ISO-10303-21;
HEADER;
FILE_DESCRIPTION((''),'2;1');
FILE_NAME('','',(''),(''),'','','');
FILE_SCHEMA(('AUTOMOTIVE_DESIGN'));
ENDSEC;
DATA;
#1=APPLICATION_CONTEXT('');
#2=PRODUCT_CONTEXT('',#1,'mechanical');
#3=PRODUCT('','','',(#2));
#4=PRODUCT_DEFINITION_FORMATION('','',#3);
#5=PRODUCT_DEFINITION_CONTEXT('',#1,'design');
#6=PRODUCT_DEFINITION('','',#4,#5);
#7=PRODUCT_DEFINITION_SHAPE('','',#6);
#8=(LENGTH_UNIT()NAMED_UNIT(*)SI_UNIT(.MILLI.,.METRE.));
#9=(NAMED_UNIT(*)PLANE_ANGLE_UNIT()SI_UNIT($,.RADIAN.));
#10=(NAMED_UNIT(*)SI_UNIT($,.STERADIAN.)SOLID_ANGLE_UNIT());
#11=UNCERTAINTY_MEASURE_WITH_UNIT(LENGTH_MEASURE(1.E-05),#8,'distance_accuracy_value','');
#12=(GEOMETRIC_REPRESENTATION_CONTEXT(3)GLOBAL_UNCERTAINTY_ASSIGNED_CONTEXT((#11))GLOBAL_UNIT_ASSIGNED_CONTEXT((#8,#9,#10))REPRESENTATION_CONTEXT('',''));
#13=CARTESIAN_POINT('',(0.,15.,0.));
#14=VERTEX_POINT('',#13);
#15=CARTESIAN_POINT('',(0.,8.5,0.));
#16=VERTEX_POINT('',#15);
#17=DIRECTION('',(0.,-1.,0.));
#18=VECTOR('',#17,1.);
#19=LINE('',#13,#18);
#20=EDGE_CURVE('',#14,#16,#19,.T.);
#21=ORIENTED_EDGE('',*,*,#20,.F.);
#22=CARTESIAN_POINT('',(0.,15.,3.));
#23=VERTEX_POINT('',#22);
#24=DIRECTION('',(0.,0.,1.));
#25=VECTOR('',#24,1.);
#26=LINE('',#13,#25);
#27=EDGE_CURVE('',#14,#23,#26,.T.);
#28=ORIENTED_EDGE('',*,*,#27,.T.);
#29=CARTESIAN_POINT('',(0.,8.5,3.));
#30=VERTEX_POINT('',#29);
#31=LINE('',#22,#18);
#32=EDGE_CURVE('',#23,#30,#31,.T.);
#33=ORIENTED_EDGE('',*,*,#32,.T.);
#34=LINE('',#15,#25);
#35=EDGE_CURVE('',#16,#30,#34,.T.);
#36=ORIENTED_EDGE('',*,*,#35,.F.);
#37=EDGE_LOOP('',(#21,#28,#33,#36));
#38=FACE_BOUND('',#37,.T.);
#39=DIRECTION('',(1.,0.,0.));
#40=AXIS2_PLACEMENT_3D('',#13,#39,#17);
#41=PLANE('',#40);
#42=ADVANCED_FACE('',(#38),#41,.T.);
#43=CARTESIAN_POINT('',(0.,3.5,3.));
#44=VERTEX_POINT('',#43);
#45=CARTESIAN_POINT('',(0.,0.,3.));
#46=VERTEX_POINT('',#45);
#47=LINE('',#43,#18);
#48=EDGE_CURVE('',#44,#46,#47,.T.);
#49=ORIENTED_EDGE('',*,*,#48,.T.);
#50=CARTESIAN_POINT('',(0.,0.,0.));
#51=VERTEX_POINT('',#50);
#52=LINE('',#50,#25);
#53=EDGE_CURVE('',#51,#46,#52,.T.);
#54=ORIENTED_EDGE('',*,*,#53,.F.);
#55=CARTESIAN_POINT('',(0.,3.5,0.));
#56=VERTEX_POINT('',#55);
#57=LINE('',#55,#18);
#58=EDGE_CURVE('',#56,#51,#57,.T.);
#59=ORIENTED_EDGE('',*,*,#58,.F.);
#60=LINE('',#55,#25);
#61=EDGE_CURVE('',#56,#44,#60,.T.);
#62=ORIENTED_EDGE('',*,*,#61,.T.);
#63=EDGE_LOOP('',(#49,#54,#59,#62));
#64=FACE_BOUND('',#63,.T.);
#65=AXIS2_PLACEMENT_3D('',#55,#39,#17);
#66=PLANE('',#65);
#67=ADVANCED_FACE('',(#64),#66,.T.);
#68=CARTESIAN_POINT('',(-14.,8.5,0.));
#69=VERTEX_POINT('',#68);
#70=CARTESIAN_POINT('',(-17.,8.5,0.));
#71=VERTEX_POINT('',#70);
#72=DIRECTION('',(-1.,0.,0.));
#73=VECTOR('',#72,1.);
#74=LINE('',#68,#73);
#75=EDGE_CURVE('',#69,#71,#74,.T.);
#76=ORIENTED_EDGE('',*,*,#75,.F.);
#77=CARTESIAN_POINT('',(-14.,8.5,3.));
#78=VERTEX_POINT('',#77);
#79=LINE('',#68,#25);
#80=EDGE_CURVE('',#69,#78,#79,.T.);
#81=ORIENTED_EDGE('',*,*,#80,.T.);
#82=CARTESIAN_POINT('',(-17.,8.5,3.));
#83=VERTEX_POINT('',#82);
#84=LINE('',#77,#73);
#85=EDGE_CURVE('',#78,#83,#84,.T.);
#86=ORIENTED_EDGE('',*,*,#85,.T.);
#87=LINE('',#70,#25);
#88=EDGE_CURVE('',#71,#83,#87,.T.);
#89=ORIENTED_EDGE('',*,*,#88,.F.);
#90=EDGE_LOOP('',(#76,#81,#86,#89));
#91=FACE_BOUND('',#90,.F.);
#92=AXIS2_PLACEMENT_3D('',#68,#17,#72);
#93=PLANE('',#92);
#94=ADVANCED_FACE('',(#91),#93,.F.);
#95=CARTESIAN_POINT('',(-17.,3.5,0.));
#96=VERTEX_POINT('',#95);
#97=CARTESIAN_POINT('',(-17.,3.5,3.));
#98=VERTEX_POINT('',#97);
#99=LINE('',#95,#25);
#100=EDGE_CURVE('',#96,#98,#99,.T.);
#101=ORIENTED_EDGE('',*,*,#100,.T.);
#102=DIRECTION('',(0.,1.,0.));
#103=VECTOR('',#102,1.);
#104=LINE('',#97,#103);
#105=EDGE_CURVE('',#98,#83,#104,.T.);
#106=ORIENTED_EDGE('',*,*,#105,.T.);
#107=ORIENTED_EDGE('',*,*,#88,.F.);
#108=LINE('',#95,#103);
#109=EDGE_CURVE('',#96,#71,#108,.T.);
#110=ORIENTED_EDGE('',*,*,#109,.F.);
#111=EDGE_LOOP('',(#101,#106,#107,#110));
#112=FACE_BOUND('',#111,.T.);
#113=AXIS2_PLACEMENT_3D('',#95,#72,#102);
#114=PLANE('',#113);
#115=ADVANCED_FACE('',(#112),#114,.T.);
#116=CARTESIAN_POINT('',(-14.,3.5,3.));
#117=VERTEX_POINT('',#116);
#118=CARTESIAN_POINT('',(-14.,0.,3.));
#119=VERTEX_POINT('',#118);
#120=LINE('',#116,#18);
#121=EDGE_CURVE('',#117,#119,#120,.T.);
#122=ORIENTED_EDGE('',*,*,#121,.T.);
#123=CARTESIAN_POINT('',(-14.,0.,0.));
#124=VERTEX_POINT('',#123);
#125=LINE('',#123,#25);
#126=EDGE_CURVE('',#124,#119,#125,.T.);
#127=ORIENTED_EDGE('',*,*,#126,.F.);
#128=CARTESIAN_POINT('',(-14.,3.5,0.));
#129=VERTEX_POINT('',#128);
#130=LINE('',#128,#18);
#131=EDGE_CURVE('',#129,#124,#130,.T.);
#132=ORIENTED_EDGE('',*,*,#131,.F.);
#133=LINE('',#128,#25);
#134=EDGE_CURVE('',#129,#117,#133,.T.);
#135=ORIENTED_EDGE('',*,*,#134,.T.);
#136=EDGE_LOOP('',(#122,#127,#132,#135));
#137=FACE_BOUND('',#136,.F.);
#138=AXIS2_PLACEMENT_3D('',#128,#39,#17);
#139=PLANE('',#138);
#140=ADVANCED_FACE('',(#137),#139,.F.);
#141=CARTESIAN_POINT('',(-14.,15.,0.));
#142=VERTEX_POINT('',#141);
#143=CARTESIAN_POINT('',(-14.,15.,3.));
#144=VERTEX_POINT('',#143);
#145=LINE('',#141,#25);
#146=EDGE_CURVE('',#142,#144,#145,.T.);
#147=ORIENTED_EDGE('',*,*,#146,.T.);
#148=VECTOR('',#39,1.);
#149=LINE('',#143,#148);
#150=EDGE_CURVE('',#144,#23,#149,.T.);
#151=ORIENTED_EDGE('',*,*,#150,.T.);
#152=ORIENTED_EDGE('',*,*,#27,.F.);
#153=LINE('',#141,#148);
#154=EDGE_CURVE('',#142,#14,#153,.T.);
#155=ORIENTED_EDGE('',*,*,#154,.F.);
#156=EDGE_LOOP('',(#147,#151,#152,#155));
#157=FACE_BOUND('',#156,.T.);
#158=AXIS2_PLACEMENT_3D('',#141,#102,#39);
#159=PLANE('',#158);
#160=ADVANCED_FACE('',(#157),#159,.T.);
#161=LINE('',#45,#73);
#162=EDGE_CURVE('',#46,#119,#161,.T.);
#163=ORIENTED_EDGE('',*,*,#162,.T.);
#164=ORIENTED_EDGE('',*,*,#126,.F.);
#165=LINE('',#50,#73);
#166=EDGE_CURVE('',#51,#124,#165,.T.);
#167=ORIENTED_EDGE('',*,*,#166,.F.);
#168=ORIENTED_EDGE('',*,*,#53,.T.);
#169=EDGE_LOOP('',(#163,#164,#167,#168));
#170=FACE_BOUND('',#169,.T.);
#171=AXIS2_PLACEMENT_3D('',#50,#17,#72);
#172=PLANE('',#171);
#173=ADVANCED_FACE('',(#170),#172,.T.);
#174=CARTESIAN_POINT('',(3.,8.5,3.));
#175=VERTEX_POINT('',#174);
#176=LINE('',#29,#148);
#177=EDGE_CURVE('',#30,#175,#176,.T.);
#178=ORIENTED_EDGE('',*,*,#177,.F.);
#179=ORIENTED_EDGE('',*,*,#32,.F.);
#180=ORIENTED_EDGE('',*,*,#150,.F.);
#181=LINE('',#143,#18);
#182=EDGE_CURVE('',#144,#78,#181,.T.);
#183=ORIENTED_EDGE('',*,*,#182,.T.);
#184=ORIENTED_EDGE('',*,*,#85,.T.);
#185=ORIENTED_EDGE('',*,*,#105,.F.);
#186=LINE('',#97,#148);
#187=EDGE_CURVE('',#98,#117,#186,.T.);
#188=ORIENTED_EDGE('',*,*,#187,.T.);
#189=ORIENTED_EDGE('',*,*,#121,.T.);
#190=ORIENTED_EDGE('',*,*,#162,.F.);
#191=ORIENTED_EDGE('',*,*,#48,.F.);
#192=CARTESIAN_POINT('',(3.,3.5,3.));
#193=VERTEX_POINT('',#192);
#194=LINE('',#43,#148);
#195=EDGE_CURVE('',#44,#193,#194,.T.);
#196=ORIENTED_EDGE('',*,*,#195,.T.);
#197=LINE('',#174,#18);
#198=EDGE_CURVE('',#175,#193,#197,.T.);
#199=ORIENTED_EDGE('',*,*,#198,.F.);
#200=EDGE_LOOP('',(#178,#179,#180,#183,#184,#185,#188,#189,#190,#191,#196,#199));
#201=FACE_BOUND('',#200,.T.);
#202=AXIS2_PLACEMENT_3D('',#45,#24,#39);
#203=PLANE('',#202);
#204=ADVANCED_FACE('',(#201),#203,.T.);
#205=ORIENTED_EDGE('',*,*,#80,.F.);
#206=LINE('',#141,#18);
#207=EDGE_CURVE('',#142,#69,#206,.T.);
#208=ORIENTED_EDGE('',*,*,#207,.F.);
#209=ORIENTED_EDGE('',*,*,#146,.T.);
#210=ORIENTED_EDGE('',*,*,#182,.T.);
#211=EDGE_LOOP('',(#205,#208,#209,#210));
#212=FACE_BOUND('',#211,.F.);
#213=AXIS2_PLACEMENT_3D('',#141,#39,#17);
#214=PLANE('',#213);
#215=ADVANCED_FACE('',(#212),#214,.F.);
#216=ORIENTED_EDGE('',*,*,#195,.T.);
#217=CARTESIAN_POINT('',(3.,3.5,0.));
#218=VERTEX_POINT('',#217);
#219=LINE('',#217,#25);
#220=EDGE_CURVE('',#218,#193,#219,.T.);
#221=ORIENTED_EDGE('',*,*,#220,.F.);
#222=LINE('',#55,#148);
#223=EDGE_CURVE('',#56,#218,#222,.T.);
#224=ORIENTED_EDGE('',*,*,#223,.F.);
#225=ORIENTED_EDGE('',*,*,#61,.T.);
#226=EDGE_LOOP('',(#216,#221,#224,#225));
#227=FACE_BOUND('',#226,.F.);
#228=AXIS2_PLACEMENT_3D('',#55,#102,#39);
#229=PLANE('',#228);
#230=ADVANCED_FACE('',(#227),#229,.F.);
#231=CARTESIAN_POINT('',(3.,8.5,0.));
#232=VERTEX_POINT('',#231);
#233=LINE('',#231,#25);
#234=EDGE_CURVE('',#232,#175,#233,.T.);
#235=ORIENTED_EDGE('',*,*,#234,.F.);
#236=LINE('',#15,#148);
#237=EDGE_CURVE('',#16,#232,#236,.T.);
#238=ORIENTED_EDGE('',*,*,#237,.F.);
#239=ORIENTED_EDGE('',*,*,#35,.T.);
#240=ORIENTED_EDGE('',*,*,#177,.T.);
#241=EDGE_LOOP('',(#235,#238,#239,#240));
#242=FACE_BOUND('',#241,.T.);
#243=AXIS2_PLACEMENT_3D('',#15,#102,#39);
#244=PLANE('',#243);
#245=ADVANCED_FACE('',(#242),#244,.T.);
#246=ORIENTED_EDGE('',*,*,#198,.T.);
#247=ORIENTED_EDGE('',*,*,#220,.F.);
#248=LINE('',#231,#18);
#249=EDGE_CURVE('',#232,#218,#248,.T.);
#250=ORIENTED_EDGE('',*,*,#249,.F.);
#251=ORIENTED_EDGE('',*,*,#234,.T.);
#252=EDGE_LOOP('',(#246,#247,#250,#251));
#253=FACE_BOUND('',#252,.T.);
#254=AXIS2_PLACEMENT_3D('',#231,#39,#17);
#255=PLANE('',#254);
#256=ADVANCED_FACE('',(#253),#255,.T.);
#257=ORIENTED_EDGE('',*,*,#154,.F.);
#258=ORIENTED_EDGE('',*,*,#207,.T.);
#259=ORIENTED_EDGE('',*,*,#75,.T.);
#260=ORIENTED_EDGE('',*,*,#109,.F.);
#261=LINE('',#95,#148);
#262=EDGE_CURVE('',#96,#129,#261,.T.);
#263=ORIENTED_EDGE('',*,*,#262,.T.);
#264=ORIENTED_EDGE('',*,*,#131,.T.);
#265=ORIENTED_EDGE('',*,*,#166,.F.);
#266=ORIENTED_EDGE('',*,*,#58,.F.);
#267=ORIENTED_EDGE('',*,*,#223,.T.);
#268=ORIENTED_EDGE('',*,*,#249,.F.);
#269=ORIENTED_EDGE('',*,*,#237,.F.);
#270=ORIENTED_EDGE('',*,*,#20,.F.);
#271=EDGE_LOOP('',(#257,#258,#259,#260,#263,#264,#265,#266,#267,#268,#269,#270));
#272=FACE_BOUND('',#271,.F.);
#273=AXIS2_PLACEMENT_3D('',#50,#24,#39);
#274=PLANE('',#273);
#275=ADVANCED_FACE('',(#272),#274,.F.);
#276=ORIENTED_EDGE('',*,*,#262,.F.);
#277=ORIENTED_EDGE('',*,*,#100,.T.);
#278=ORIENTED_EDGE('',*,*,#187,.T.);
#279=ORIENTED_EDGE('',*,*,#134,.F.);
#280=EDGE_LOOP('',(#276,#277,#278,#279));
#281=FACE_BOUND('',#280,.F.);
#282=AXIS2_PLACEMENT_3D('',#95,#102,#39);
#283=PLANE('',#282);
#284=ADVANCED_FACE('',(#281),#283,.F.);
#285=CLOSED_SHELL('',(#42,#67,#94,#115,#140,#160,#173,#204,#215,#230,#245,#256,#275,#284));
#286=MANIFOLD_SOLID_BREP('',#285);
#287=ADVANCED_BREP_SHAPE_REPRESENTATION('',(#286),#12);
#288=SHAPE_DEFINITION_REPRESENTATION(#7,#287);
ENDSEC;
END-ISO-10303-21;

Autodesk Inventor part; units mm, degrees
ref_plane "YZ Plane" through (0, 0, 0) normal (1, 0, 0) x (0, 1, 0)
ref_plane "XZ Plane" through (0, 0, 0) normal (0, 1, 0) x (-1, 0, 0)
ref_plane "XY Plane" through (0, 0, 0) normal (0, 0, 1) x (1, 0, 0)
sketch "Boceto2" plane through (0, 0, 0) normal (0, 0, 1) x (1, 0, 0)
  line L0 (-14, 15) -> (0, 15)
  line L1 (3, 8.5) -> (3, 3.5)
  line L2 (0, 0) -> (-14, 0)
  line L3 (-17, 3.5) -> (-17, 8.5)
  line L4 (-14, 8.5) -> (-17, 8.5)
  line L5 (-17, 3.5) -> (-14, 3.5)
  line L6 (0, 8.5) -> (3, 8.5)
  line L7 (0, 3.5) -> (3, 3.5)
  line L8 (-14, 15) -> (-14, 8.5)
  line L9 (-14, 3.5) -> (-14, 0)
  line L10 (0, 15) -> (0, 8.5)
  line L11 (0, 3.5) -> (0, 0)
  point P0 (1.5, 3.5)
  dimension "d4" = 20
  dimension "d5" = 15
  dimension "d9" = 5
  dimension "d10" = 3
  dimension "d11" = 3
  dimension "d12" = 5
  dimension "d15" = 3.5
extrude "Extrusión1" add sketch "Boceto2" along normal blind 3
properties part number "abajo"
